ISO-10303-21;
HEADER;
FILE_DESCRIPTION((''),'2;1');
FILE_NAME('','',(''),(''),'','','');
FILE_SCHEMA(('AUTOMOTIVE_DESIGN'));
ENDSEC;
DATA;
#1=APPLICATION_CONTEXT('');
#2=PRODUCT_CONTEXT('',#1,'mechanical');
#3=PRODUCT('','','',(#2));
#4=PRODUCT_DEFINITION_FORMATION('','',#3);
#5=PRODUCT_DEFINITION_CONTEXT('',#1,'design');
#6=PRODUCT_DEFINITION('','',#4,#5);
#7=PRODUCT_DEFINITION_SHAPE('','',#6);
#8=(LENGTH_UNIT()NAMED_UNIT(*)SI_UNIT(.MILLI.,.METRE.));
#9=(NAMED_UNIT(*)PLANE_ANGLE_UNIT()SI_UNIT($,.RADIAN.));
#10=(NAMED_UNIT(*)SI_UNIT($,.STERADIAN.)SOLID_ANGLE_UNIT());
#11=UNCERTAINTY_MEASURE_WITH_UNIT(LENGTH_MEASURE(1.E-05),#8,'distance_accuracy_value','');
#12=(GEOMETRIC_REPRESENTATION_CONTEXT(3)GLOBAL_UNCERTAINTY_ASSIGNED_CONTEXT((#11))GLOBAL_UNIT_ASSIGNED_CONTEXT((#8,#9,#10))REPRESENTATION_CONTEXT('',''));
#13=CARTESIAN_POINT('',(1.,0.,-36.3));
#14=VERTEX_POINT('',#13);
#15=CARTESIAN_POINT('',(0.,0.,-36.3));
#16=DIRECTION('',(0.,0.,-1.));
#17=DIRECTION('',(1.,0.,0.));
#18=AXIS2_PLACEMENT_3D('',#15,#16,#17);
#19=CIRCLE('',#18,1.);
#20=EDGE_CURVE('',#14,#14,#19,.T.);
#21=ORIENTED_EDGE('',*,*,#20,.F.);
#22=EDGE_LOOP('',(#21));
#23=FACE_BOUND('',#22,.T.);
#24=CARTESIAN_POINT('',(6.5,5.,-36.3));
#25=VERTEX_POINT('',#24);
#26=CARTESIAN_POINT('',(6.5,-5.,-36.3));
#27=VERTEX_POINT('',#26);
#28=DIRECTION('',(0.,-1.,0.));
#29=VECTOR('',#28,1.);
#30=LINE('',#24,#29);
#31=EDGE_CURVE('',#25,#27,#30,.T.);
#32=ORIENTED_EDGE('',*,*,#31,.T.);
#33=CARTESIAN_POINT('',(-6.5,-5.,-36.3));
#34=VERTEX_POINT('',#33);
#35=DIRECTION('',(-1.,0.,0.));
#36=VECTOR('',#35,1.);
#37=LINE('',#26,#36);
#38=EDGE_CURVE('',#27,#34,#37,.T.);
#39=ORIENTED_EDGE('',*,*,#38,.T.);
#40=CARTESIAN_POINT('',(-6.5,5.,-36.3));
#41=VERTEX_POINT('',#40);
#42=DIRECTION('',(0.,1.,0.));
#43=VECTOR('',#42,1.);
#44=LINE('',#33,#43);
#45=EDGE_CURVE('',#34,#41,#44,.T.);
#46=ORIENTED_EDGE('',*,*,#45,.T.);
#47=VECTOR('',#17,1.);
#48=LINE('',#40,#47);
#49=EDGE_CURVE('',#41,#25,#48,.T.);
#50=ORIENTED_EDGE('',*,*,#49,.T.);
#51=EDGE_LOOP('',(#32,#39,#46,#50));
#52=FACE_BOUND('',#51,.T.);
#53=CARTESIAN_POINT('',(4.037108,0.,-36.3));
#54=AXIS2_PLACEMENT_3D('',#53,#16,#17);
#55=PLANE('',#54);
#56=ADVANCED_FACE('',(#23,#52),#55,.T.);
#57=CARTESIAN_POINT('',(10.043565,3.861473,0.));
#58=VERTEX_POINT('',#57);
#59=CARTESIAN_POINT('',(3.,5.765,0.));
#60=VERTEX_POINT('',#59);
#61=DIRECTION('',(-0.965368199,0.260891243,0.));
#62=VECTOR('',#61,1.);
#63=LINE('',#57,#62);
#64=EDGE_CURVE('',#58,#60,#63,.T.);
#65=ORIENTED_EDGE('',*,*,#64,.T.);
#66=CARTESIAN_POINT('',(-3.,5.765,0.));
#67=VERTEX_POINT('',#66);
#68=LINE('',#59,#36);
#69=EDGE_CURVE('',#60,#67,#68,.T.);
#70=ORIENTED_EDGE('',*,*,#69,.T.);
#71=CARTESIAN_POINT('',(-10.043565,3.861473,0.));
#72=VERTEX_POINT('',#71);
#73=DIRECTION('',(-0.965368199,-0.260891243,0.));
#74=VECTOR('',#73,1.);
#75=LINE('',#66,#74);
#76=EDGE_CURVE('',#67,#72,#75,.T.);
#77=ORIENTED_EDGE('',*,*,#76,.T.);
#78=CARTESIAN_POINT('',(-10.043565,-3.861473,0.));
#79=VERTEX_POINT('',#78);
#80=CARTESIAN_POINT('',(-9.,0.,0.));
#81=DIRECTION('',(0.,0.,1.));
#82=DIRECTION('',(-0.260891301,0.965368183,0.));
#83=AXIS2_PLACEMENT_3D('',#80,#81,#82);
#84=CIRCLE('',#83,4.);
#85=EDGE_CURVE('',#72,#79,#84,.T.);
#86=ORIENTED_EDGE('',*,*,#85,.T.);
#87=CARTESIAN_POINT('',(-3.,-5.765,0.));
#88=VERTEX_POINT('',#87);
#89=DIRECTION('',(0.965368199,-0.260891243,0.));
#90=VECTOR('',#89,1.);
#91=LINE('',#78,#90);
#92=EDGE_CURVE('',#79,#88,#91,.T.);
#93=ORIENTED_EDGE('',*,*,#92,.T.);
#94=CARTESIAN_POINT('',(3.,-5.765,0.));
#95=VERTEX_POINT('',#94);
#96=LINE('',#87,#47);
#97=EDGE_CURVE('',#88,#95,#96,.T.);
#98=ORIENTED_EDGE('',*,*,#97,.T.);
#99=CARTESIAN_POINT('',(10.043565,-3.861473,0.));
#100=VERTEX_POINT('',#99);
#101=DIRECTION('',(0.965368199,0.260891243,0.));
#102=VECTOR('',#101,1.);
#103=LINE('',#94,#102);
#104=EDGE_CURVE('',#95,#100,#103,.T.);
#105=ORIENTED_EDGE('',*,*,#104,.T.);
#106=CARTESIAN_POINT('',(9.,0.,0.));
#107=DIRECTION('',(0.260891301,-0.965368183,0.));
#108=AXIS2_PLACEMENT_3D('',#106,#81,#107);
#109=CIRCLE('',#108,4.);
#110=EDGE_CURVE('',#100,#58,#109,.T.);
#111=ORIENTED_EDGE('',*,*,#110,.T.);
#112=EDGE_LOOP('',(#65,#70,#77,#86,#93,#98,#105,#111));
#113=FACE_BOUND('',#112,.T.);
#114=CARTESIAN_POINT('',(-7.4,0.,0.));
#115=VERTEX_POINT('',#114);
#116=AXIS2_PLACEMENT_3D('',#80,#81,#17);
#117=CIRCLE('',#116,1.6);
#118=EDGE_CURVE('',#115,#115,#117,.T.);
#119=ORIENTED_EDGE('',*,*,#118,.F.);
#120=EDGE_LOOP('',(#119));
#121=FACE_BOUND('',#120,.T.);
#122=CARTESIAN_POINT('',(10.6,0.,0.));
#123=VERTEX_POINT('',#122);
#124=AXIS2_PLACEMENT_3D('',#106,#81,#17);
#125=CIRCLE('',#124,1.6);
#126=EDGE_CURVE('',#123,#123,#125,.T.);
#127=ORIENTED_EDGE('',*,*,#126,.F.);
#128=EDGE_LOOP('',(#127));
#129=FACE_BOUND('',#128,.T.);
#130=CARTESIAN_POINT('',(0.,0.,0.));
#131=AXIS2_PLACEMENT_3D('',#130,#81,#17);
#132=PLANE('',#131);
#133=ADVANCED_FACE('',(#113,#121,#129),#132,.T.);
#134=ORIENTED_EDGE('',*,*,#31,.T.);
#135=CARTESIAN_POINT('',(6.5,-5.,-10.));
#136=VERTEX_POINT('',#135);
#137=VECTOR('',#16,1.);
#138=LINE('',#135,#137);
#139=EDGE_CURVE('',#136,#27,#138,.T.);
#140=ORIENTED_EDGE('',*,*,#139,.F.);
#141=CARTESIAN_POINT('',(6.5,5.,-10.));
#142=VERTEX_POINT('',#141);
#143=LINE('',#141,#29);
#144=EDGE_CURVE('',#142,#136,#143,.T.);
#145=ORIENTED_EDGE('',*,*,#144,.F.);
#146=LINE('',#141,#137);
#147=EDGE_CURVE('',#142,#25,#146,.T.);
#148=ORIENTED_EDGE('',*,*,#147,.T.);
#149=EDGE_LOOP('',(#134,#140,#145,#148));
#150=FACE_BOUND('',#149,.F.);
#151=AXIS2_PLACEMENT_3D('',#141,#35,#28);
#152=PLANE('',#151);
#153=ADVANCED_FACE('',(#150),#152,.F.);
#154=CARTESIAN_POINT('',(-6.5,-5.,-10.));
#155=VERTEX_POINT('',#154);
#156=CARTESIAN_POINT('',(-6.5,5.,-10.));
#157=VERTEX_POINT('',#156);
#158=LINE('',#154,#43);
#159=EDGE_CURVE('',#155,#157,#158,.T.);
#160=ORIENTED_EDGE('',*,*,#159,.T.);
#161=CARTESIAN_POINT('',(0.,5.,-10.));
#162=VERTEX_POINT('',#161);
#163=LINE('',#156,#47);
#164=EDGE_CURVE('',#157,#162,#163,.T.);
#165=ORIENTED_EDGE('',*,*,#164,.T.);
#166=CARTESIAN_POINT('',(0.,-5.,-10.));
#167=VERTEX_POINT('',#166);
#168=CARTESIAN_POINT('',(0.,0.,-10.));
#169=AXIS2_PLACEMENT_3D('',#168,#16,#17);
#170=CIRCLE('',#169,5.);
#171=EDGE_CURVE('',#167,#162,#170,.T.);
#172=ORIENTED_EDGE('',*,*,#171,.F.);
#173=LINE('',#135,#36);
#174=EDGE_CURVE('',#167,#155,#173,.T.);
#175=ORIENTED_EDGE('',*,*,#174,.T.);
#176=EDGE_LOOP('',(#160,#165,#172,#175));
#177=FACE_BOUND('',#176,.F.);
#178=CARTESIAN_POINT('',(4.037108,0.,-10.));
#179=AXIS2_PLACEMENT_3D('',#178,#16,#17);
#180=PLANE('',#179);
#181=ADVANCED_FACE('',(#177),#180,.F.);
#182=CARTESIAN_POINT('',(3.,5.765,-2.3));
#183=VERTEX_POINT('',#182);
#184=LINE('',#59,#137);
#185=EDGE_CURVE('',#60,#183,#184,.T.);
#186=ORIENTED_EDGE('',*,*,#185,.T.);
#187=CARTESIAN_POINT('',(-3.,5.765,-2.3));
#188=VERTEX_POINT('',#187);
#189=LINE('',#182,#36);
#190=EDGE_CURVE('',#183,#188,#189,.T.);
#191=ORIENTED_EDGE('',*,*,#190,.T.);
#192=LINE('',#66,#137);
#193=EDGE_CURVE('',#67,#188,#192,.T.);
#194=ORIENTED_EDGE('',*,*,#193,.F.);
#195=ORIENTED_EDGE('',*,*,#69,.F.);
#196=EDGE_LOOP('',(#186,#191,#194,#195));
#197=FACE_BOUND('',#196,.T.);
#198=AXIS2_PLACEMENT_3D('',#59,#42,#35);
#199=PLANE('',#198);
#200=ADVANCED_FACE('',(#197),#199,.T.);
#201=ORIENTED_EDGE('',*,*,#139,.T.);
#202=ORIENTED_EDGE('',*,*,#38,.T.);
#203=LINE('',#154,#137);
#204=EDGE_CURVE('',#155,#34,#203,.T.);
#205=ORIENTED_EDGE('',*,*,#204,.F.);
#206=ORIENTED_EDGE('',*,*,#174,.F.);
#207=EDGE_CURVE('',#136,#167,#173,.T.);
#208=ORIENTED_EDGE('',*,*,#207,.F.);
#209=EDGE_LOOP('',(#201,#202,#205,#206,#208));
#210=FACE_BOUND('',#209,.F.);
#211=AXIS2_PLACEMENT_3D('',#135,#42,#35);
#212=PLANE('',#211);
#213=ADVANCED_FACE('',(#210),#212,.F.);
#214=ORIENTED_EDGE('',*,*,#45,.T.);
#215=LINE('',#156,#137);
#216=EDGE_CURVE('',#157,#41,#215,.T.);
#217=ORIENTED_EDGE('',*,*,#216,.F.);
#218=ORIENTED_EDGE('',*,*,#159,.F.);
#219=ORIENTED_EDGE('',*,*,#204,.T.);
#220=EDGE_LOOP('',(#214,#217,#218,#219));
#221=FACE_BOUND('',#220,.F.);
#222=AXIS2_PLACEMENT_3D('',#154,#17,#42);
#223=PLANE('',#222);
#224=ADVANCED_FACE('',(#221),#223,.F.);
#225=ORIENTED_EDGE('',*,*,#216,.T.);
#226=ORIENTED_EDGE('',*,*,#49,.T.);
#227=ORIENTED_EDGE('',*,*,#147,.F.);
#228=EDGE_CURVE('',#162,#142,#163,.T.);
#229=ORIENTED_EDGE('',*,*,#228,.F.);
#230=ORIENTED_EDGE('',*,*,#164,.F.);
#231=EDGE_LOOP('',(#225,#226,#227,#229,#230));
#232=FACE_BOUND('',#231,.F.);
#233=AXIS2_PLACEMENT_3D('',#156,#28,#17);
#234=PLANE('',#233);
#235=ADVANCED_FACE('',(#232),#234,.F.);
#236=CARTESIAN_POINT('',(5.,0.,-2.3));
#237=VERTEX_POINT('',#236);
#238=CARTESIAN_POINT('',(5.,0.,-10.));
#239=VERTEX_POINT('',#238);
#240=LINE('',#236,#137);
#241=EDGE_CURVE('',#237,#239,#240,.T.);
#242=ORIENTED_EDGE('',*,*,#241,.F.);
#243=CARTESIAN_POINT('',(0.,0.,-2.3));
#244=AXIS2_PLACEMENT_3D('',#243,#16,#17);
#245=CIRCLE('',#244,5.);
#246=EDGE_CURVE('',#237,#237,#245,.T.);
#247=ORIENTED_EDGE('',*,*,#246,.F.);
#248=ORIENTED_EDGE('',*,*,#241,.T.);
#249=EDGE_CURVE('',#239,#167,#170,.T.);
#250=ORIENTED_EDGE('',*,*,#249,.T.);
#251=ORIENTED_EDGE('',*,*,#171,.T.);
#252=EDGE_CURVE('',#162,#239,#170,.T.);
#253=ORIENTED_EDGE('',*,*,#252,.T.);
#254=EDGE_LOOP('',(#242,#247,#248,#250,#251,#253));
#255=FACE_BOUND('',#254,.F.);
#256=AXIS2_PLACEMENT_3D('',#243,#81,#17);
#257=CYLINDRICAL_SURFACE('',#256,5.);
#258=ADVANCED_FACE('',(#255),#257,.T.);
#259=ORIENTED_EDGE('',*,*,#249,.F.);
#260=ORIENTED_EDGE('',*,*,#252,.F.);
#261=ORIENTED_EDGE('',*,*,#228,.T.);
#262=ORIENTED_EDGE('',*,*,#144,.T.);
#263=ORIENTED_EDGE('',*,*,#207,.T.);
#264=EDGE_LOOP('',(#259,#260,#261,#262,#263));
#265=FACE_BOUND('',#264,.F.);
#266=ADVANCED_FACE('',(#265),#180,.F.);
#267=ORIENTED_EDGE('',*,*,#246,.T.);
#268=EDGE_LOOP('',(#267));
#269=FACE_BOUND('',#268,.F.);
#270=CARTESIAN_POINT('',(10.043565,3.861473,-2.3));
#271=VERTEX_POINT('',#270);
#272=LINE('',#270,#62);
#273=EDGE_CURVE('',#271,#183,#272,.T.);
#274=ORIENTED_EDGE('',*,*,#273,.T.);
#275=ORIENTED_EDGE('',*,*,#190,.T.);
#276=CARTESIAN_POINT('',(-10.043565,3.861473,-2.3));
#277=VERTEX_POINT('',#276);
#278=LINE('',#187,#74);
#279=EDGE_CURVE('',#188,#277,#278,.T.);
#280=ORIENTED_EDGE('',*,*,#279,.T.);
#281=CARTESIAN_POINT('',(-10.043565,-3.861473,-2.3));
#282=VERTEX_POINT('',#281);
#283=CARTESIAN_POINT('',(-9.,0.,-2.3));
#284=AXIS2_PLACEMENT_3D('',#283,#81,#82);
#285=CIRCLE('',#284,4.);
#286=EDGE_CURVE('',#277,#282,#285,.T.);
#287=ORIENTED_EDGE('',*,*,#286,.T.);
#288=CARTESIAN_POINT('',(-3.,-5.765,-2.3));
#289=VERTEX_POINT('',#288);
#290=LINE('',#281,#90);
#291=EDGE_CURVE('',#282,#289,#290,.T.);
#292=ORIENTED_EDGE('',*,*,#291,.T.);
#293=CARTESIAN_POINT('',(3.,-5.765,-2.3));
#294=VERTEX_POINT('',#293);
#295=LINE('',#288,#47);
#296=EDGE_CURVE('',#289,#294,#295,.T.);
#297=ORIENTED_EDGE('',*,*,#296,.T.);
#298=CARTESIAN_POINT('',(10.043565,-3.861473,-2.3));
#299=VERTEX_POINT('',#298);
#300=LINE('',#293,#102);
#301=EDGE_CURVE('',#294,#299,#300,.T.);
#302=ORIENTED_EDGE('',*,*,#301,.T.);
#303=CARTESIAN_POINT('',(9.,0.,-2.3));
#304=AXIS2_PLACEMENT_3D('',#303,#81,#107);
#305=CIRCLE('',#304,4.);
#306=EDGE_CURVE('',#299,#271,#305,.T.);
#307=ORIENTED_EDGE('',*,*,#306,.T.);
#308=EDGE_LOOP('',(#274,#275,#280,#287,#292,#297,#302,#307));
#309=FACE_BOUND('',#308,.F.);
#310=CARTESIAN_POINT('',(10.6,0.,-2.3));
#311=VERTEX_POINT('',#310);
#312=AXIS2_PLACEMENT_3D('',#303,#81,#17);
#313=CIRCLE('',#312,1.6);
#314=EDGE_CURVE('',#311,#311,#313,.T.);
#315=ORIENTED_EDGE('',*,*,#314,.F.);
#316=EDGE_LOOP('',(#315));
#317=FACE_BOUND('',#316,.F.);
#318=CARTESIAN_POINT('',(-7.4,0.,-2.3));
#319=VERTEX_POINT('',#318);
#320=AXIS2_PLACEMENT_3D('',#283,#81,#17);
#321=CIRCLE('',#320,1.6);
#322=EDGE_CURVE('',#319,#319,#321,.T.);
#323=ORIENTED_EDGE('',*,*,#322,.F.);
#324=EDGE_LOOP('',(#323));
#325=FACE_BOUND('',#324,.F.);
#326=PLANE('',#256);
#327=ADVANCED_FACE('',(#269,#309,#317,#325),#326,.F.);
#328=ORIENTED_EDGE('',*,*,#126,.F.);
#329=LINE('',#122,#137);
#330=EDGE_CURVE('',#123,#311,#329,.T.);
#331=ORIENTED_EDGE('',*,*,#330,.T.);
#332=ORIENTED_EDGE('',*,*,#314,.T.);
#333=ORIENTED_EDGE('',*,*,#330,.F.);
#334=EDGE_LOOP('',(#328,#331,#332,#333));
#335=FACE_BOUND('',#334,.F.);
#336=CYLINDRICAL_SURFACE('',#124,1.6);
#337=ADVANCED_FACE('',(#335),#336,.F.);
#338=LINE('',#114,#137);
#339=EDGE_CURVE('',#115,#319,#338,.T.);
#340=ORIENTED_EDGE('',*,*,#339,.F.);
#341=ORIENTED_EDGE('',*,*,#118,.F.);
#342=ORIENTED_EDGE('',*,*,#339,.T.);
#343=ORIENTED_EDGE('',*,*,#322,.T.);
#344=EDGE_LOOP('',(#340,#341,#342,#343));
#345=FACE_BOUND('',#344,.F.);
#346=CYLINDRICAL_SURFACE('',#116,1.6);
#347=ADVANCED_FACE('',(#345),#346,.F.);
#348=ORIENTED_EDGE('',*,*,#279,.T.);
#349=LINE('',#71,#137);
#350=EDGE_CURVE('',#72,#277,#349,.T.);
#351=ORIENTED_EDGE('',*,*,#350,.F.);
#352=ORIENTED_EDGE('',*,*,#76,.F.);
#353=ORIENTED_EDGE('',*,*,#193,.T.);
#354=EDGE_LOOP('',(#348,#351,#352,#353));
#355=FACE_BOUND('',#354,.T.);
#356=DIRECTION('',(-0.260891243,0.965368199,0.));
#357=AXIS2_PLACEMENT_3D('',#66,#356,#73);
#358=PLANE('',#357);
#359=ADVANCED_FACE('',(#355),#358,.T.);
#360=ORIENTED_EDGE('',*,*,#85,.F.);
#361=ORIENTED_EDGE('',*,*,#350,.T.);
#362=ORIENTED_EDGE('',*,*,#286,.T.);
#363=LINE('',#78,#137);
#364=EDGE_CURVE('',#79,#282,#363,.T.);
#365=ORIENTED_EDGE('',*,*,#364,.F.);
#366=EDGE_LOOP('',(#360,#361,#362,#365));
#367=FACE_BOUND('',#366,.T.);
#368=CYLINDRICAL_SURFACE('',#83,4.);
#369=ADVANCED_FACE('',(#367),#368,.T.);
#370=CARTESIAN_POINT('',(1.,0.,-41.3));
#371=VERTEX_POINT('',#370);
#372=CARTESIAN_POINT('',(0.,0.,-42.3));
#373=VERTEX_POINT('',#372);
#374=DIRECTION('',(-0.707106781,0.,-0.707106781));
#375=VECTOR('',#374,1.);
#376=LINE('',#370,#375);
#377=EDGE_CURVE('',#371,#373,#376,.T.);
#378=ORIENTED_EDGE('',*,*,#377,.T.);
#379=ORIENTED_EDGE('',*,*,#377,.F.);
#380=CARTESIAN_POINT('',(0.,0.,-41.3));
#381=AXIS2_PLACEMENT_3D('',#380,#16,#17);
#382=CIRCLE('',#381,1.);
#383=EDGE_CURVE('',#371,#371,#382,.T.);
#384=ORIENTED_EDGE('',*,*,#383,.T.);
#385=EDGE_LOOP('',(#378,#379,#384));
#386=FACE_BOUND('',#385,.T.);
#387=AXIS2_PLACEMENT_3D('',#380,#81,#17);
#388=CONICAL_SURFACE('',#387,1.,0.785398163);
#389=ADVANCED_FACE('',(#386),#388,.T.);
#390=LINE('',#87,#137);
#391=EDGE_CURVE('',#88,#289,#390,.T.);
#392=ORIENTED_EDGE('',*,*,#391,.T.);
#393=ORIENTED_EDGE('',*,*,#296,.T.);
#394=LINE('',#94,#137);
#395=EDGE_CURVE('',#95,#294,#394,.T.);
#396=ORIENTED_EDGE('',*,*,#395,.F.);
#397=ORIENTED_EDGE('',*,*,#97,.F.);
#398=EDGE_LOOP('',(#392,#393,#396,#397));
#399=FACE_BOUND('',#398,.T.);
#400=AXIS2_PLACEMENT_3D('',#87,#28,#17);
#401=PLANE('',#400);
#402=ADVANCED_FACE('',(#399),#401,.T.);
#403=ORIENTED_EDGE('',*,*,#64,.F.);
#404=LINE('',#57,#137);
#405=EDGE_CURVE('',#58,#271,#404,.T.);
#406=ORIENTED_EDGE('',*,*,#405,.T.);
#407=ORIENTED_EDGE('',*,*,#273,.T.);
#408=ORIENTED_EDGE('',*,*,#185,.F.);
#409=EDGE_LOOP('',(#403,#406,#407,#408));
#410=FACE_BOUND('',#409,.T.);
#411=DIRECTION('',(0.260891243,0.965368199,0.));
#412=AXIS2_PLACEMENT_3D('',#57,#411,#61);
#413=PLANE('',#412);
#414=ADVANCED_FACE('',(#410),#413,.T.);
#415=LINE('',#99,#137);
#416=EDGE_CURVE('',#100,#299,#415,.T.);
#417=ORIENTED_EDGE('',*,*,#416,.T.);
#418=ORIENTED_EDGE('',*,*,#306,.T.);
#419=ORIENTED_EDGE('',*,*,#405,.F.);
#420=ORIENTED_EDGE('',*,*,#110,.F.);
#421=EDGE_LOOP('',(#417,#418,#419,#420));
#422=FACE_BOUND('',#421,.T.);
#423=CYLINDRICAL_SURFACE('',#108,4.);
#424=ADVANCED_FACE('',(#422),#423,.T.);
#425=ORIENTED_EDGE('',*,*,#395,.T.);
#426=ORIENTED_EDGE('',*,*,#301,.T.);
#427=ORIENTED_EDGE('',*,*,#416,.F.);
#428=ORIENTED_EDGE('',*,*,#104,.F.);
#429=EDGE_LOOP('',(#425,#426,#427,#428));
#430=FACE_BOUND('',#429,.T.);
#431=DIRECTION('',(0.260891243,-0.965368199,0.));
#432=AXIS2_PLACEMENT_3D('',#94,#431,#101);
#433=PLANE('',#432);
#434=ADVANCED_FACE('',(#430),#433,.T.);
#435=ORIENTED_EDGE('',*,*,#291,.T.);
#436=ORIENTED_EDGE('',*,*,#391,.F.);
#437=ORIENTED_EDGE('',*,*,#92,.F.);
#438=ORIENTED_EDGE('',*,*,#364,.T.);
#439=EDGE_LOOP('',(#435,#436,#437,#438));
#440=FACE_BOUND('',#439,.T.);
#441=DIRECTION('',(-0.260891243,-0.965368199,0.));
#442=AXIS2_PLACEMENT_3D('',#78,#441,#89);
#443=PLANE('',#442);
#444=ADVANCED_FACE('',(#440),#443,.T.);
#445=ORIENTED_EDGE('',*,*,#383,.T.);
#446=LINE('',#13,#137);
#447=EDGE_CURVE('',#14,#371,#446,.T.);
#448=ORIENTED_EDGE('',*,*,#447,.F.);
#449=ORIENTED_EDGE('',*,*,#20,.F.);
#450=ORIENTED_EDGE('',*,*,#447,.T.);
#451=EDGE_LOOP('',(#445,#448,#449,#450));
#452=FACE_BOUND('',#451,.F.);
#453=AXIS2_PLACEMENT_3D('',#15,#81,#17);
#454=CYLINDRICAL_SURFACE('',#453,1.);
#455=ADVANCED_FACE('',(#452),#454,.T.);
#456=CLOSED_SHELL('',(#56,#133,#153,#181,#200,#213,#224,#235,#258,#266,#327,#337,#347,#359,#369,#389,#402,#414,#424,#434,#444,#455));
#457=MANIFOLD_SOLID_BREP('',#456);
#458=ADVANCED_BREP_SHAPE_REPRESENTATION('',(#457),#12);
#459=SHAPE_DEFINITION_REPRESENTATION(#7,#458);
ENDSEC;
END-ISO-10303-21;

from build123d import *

# Parameters (mm, degrees)
F0_R     = 1.6
F1_DEPTH = 2.3
F2_R     = 5
F3_DEPTH = 7.7
F5_DEPTH = 26.3
F6_R     = 1
F7_DEPTH = 6
F8_SIZE  = 1


with BuildPart() as f1:
    # F0 (on Top) → F1 (new body)
    with BuildSketch(Plane.XY):
        with BuildLine():
            Line((-3, 5.765), (-10.043565, 3.861473))
            ThreePointArc((-10.043565, 3.861473), (-13, 0), (-10.043565, -3.861473))
            Line((-10.043565, -3.861473), (-3, -5.765))
            Line((-3, -5.765), (0, -5.765))
            Line((0, -5.765), (3, -5.765))
            Line((3, -5.765), (10.043565, -3.861473))
            ThreePointArc((10.043565, -3.861473), (13, 0), (10.043565, 3.861473))
            Line((10.043565, 3.861473), (3, 5.765))
            Line((3, 5.765), (0, 5.765))
            Line((0, 5.765), (-3, 5.765))
        make_face()
        with Locations((-9, 0)):
            Circle(F0_R, mode=Mode.SUBTRACT)
        with Locations((9, 0)):
            Circle(F0_R, mode=Mode.SUBTRACT)
    extrude(amount=-F1_DEPTH)

    # F2 (on face) → F3 (join)
    with BuildSketch(Plane(origin=(0, 0, -2.3), x_dir=(1, 0, 0), z_dir=(0, 0, -1))):
        Circle(F2_R)
    extrude(amount=F3_DEPTH)

    # F4 (on face) → F5 (join)
    with BuildSketch(Plane(origin=(0, 0, -10), x_dir=(1, 0, 0), z_dir=(0, 0, -1))):
        with BuildLine():
            Line((6.5, -5), (6.5, 5))
            Line((6.5, 5), (0, 5))
            ThreePointArc((0, 5), (3.535534, 3.535534), (5, 0))
            ThreePointArc((5, 0), (3.535534, -3.535534), (0, -5))
            Line((0, -5), (6.5, -5))
        make_face()
        with BuildLine():
            ThreePointArc((0, -5), (-5, 0), (0, 5))
            Line((0, 5), (-6.5, 5))
            Line((-6.5, 5), (-6.5, -5))
            Line((-6.5, -5), (0, -5))
        make_face()
        with BuildLine():
            ThreePointArc((5, 0), (3.535534, 3.535534), (0, 5))
            ThreePointArc((0, 5), (-5, 0), (0, -5))
            ThreePointArc((0, -5), (3.535534, -3.535534), (5, 0))
        make_face()
    extrude(amount=F5_DEPTH)

    # F6 (on face) → F7 (join)
    with BuildSketch(Plane(origin=(0, 0, -36.3), x_dir=(1, 0, 0), z_dir=(0, 0, -1))):
        Circle(F6_R)
    extrude(amount=F7_DEPTH)

    # F8
    f8_edges = [f1.edges().sort_by_distance(p)[0] for p in [
        (-1, 0, -42.3),
    ]]
    chamfer(f8_edges, length=F8_SIZE)


solid = f1.part
